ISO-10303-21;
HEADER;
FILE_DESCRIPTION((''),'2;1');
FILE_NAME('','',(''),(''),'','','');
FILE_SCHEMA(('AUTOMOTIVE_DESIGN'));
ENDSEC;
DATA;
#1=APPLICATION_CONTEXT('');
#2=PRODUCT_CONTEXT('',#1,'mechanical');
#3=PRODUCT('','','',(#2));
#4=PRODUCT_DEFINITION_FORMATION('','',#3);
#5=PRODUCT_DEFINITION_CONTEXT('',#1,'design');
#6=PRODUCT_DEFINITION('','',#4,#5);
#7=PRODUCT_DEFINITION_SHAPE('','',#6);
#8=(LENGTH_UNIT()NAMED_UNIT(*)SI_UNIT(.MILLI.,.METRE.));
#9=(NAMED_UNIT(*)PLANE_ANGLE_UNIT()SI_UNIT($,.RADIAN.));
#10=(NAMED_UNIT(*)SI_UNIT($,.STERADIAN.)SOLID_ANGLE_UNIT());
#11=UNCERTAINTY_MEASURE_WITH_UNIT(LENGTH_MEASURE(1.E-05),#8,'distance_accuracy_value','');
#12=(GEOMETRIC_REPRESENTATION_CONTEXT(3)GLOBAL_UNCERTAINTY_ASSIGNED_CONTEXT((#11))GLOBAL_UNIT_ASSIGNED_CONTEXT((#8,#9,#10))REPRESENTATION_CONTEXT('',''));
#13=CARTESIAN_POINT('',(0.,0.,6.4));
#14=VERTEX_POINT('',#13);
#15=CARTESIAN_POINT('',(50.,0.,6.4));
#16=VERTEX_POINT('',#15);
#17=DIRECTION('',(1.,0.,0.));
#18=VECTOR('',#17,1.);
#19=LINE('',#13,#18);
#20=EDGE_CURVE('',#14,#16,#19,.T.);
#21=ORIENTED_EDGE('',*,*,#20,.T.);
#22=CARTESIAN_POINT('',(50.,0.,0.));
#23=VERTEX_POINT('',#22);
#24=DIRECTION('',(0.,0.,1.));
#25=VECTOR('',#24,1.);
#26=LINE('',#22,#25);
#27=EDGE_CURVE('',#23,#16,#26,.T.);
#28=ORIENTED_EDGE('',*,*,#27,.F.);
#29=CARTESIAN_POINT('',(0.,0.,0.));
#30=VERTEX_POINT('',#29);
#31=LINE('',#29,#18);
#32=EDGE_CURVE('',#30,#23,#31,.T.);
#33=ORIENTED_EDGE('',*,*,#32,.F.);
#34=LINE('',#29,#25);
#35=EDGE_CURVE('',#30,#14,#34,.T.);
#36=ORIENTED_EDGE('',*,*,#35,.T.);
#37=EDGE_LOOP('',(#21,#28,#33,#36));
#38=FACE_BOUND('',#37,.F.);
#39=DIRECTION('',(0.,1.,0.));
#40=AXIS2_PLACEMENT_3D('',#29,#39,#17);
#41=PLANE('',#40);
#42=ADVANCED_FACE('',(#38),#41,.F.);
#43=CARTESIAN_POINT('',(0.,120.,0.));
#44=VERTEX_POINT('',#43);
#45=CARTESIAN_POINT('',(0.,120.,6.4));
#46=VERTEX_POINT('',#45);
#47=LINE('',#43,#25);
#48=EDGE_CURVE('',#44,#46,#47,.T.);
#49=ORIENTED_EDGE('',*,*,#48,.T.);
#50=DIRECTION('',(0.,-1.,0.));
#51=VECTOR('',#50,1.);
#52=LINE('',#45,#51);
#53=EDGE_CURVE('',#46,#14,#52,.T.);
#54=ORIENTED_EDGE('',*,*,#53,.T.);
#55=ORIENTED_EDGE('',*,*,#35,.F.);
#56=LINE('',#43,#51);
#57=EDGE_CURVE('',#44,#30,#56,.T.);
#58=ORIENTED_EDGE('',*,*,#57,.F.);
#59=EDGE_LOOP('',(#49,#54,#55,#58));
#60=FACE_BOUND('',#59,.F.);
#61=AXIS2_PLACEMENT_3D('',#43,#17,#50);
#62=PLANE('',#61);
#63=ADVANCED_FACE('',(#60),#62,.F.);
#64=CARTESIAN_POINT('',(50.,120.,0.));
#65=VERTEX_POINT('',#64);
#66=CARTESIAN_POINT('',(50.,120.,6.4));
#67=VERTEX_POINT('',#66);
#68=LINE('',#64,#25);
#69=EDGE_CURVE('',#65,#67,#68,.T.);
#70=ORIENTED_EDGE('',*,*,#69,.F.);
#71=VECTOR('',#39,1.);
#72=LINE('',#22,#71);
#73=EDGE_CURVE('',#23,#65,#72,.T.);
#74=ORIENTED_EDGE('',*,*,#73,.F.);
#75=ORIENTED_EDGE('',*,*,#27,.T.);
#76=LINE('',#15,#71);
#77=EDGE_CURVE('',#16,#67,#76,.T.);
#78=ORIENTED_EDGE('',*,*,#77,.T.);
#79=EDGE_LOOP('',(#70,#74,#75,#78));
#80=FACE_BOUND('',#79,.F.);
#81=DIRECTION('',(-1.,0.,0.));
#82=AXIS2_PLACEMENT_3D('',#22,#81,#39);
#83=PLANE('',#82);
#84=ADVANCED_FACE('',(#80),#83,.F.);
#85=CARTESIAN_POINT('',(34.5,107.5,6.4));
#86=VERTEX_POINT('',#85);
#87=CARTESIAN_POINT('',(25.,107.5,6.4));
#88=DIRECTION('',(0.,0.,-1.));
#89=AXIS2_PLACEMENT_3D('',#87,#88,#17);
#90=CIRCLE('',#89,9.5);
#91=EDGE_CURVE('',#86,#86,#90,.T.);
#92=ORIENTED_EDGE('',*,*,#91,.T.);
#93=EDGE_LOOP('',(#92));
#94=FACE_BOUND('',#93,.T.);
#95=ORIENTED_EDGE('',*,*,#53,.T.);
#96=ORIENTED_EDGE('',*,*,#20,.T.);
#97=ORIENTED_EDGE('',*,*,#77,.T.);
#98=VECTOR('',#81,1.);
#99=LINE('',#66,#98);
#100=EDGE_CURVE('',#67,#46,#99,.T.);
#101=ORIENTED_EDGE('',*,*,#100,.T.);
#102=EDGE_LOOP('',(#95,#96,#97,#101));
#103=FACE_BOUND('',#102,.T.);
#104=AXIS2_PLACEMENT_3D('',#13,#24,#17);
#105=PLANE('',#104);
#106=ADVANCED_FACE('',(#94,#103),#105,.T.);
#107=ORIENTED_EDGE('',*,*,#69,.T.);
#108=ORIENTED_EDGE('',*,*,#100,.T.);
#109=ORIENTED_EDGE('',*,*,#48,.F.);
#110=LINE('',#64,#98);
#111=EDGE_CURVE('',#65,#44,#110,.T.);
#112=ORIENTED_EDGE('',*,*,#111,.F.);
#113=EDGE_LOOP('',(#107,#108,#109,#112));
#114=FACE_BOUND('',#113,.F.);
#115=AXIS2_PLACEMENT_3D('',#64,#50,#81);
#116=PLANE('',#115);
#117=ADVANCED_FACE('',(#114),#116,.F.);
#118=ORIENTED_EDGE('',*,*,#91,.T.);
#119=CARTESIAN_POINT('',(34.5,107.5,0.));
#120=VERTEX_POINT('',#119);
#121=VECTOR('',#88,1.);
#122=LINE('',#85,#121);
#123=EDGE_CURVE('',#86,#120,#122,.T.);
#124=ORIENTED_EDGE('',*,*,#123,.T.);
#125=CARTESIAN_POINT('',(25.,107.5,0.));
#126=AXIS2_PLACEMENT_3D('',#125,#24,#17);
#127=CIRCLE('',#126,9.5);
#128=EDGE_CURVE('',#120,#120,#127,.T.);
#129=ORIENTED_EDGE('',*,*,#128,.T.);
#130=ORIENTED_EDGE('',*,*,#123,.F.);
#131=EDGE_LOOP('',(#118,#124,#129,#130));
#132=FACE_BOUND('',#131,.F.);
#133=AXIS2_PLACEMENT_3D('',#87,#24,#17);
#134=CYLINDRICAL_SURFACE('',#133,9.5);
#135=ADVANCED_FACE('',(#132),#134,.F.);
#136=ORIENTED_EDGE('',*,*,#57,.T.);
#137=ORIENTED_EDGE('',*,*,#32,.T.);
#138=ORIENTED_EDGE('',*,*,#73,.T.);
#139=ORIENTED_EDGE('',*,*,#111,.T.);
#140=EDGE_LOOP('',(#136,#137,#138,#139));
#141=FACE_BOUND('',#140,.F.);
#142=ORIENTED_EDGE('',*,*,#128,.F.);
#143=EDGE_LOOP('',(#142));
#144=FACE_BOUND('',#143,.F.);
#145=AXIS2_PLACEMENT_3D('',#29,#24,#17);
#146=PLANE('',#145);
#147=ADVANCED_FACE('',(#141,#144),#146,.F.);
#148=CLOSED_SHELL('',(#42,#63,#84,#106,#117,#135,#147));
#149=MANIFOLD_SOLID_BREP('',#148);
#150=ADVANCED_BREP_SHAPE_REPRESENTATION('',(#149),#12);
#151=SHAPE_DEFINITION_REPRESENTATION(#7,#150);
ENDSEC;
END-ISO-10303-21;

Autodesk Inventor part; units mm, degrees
ref_plane "YZ Plane" through (0, 0, 0) normal (1, 0, 0) x (0, 1, 0)
ref_plane "XZ Plane" through (0, 0, 0) normal (0, 1, 0) x (-1, 0, 0)
ref_plane "XY Plane" through (0, 0, 0) normal (0, 0, 1) x (1, 0, 0)
sketch "Boceto1" plane through (0, 0, 0) normal (0, 0, 1) x (1, 0, 0)
  line L0 (0, 0) -> (50, 0)
  line L1 (50, 0) -> (50, 120)
  line L2 (50, 120) -> (0, 120)
  line L3 (0, 120) -> (0, 0)
  dimension "d0" = 50
  dimension "d1" = 120
extrude "Extrusión1" add sketch "Boceto1" along normal blind 6.4
sketch "Boceto2" plane through (0, 0, 6.4) normal (0, 0, 1) x (1, 0, 0)
  line L0 (50, 120) -> (0, 120) projected
  line L1 (25, 120) -> (25, 117)
  line L2 (25, 117) -> (25, 107.5)
  circle A0 centre (25, 107.5) radius 9.5
  point P0 (0, 0)
  dimension "d4" = 3
  dimension "d5" = 9.5
  dimension "d6" = 19
extrude "Extrusión2" cut sketch "Boceto2" against normal through all
properties part number "Base_cortadora"
